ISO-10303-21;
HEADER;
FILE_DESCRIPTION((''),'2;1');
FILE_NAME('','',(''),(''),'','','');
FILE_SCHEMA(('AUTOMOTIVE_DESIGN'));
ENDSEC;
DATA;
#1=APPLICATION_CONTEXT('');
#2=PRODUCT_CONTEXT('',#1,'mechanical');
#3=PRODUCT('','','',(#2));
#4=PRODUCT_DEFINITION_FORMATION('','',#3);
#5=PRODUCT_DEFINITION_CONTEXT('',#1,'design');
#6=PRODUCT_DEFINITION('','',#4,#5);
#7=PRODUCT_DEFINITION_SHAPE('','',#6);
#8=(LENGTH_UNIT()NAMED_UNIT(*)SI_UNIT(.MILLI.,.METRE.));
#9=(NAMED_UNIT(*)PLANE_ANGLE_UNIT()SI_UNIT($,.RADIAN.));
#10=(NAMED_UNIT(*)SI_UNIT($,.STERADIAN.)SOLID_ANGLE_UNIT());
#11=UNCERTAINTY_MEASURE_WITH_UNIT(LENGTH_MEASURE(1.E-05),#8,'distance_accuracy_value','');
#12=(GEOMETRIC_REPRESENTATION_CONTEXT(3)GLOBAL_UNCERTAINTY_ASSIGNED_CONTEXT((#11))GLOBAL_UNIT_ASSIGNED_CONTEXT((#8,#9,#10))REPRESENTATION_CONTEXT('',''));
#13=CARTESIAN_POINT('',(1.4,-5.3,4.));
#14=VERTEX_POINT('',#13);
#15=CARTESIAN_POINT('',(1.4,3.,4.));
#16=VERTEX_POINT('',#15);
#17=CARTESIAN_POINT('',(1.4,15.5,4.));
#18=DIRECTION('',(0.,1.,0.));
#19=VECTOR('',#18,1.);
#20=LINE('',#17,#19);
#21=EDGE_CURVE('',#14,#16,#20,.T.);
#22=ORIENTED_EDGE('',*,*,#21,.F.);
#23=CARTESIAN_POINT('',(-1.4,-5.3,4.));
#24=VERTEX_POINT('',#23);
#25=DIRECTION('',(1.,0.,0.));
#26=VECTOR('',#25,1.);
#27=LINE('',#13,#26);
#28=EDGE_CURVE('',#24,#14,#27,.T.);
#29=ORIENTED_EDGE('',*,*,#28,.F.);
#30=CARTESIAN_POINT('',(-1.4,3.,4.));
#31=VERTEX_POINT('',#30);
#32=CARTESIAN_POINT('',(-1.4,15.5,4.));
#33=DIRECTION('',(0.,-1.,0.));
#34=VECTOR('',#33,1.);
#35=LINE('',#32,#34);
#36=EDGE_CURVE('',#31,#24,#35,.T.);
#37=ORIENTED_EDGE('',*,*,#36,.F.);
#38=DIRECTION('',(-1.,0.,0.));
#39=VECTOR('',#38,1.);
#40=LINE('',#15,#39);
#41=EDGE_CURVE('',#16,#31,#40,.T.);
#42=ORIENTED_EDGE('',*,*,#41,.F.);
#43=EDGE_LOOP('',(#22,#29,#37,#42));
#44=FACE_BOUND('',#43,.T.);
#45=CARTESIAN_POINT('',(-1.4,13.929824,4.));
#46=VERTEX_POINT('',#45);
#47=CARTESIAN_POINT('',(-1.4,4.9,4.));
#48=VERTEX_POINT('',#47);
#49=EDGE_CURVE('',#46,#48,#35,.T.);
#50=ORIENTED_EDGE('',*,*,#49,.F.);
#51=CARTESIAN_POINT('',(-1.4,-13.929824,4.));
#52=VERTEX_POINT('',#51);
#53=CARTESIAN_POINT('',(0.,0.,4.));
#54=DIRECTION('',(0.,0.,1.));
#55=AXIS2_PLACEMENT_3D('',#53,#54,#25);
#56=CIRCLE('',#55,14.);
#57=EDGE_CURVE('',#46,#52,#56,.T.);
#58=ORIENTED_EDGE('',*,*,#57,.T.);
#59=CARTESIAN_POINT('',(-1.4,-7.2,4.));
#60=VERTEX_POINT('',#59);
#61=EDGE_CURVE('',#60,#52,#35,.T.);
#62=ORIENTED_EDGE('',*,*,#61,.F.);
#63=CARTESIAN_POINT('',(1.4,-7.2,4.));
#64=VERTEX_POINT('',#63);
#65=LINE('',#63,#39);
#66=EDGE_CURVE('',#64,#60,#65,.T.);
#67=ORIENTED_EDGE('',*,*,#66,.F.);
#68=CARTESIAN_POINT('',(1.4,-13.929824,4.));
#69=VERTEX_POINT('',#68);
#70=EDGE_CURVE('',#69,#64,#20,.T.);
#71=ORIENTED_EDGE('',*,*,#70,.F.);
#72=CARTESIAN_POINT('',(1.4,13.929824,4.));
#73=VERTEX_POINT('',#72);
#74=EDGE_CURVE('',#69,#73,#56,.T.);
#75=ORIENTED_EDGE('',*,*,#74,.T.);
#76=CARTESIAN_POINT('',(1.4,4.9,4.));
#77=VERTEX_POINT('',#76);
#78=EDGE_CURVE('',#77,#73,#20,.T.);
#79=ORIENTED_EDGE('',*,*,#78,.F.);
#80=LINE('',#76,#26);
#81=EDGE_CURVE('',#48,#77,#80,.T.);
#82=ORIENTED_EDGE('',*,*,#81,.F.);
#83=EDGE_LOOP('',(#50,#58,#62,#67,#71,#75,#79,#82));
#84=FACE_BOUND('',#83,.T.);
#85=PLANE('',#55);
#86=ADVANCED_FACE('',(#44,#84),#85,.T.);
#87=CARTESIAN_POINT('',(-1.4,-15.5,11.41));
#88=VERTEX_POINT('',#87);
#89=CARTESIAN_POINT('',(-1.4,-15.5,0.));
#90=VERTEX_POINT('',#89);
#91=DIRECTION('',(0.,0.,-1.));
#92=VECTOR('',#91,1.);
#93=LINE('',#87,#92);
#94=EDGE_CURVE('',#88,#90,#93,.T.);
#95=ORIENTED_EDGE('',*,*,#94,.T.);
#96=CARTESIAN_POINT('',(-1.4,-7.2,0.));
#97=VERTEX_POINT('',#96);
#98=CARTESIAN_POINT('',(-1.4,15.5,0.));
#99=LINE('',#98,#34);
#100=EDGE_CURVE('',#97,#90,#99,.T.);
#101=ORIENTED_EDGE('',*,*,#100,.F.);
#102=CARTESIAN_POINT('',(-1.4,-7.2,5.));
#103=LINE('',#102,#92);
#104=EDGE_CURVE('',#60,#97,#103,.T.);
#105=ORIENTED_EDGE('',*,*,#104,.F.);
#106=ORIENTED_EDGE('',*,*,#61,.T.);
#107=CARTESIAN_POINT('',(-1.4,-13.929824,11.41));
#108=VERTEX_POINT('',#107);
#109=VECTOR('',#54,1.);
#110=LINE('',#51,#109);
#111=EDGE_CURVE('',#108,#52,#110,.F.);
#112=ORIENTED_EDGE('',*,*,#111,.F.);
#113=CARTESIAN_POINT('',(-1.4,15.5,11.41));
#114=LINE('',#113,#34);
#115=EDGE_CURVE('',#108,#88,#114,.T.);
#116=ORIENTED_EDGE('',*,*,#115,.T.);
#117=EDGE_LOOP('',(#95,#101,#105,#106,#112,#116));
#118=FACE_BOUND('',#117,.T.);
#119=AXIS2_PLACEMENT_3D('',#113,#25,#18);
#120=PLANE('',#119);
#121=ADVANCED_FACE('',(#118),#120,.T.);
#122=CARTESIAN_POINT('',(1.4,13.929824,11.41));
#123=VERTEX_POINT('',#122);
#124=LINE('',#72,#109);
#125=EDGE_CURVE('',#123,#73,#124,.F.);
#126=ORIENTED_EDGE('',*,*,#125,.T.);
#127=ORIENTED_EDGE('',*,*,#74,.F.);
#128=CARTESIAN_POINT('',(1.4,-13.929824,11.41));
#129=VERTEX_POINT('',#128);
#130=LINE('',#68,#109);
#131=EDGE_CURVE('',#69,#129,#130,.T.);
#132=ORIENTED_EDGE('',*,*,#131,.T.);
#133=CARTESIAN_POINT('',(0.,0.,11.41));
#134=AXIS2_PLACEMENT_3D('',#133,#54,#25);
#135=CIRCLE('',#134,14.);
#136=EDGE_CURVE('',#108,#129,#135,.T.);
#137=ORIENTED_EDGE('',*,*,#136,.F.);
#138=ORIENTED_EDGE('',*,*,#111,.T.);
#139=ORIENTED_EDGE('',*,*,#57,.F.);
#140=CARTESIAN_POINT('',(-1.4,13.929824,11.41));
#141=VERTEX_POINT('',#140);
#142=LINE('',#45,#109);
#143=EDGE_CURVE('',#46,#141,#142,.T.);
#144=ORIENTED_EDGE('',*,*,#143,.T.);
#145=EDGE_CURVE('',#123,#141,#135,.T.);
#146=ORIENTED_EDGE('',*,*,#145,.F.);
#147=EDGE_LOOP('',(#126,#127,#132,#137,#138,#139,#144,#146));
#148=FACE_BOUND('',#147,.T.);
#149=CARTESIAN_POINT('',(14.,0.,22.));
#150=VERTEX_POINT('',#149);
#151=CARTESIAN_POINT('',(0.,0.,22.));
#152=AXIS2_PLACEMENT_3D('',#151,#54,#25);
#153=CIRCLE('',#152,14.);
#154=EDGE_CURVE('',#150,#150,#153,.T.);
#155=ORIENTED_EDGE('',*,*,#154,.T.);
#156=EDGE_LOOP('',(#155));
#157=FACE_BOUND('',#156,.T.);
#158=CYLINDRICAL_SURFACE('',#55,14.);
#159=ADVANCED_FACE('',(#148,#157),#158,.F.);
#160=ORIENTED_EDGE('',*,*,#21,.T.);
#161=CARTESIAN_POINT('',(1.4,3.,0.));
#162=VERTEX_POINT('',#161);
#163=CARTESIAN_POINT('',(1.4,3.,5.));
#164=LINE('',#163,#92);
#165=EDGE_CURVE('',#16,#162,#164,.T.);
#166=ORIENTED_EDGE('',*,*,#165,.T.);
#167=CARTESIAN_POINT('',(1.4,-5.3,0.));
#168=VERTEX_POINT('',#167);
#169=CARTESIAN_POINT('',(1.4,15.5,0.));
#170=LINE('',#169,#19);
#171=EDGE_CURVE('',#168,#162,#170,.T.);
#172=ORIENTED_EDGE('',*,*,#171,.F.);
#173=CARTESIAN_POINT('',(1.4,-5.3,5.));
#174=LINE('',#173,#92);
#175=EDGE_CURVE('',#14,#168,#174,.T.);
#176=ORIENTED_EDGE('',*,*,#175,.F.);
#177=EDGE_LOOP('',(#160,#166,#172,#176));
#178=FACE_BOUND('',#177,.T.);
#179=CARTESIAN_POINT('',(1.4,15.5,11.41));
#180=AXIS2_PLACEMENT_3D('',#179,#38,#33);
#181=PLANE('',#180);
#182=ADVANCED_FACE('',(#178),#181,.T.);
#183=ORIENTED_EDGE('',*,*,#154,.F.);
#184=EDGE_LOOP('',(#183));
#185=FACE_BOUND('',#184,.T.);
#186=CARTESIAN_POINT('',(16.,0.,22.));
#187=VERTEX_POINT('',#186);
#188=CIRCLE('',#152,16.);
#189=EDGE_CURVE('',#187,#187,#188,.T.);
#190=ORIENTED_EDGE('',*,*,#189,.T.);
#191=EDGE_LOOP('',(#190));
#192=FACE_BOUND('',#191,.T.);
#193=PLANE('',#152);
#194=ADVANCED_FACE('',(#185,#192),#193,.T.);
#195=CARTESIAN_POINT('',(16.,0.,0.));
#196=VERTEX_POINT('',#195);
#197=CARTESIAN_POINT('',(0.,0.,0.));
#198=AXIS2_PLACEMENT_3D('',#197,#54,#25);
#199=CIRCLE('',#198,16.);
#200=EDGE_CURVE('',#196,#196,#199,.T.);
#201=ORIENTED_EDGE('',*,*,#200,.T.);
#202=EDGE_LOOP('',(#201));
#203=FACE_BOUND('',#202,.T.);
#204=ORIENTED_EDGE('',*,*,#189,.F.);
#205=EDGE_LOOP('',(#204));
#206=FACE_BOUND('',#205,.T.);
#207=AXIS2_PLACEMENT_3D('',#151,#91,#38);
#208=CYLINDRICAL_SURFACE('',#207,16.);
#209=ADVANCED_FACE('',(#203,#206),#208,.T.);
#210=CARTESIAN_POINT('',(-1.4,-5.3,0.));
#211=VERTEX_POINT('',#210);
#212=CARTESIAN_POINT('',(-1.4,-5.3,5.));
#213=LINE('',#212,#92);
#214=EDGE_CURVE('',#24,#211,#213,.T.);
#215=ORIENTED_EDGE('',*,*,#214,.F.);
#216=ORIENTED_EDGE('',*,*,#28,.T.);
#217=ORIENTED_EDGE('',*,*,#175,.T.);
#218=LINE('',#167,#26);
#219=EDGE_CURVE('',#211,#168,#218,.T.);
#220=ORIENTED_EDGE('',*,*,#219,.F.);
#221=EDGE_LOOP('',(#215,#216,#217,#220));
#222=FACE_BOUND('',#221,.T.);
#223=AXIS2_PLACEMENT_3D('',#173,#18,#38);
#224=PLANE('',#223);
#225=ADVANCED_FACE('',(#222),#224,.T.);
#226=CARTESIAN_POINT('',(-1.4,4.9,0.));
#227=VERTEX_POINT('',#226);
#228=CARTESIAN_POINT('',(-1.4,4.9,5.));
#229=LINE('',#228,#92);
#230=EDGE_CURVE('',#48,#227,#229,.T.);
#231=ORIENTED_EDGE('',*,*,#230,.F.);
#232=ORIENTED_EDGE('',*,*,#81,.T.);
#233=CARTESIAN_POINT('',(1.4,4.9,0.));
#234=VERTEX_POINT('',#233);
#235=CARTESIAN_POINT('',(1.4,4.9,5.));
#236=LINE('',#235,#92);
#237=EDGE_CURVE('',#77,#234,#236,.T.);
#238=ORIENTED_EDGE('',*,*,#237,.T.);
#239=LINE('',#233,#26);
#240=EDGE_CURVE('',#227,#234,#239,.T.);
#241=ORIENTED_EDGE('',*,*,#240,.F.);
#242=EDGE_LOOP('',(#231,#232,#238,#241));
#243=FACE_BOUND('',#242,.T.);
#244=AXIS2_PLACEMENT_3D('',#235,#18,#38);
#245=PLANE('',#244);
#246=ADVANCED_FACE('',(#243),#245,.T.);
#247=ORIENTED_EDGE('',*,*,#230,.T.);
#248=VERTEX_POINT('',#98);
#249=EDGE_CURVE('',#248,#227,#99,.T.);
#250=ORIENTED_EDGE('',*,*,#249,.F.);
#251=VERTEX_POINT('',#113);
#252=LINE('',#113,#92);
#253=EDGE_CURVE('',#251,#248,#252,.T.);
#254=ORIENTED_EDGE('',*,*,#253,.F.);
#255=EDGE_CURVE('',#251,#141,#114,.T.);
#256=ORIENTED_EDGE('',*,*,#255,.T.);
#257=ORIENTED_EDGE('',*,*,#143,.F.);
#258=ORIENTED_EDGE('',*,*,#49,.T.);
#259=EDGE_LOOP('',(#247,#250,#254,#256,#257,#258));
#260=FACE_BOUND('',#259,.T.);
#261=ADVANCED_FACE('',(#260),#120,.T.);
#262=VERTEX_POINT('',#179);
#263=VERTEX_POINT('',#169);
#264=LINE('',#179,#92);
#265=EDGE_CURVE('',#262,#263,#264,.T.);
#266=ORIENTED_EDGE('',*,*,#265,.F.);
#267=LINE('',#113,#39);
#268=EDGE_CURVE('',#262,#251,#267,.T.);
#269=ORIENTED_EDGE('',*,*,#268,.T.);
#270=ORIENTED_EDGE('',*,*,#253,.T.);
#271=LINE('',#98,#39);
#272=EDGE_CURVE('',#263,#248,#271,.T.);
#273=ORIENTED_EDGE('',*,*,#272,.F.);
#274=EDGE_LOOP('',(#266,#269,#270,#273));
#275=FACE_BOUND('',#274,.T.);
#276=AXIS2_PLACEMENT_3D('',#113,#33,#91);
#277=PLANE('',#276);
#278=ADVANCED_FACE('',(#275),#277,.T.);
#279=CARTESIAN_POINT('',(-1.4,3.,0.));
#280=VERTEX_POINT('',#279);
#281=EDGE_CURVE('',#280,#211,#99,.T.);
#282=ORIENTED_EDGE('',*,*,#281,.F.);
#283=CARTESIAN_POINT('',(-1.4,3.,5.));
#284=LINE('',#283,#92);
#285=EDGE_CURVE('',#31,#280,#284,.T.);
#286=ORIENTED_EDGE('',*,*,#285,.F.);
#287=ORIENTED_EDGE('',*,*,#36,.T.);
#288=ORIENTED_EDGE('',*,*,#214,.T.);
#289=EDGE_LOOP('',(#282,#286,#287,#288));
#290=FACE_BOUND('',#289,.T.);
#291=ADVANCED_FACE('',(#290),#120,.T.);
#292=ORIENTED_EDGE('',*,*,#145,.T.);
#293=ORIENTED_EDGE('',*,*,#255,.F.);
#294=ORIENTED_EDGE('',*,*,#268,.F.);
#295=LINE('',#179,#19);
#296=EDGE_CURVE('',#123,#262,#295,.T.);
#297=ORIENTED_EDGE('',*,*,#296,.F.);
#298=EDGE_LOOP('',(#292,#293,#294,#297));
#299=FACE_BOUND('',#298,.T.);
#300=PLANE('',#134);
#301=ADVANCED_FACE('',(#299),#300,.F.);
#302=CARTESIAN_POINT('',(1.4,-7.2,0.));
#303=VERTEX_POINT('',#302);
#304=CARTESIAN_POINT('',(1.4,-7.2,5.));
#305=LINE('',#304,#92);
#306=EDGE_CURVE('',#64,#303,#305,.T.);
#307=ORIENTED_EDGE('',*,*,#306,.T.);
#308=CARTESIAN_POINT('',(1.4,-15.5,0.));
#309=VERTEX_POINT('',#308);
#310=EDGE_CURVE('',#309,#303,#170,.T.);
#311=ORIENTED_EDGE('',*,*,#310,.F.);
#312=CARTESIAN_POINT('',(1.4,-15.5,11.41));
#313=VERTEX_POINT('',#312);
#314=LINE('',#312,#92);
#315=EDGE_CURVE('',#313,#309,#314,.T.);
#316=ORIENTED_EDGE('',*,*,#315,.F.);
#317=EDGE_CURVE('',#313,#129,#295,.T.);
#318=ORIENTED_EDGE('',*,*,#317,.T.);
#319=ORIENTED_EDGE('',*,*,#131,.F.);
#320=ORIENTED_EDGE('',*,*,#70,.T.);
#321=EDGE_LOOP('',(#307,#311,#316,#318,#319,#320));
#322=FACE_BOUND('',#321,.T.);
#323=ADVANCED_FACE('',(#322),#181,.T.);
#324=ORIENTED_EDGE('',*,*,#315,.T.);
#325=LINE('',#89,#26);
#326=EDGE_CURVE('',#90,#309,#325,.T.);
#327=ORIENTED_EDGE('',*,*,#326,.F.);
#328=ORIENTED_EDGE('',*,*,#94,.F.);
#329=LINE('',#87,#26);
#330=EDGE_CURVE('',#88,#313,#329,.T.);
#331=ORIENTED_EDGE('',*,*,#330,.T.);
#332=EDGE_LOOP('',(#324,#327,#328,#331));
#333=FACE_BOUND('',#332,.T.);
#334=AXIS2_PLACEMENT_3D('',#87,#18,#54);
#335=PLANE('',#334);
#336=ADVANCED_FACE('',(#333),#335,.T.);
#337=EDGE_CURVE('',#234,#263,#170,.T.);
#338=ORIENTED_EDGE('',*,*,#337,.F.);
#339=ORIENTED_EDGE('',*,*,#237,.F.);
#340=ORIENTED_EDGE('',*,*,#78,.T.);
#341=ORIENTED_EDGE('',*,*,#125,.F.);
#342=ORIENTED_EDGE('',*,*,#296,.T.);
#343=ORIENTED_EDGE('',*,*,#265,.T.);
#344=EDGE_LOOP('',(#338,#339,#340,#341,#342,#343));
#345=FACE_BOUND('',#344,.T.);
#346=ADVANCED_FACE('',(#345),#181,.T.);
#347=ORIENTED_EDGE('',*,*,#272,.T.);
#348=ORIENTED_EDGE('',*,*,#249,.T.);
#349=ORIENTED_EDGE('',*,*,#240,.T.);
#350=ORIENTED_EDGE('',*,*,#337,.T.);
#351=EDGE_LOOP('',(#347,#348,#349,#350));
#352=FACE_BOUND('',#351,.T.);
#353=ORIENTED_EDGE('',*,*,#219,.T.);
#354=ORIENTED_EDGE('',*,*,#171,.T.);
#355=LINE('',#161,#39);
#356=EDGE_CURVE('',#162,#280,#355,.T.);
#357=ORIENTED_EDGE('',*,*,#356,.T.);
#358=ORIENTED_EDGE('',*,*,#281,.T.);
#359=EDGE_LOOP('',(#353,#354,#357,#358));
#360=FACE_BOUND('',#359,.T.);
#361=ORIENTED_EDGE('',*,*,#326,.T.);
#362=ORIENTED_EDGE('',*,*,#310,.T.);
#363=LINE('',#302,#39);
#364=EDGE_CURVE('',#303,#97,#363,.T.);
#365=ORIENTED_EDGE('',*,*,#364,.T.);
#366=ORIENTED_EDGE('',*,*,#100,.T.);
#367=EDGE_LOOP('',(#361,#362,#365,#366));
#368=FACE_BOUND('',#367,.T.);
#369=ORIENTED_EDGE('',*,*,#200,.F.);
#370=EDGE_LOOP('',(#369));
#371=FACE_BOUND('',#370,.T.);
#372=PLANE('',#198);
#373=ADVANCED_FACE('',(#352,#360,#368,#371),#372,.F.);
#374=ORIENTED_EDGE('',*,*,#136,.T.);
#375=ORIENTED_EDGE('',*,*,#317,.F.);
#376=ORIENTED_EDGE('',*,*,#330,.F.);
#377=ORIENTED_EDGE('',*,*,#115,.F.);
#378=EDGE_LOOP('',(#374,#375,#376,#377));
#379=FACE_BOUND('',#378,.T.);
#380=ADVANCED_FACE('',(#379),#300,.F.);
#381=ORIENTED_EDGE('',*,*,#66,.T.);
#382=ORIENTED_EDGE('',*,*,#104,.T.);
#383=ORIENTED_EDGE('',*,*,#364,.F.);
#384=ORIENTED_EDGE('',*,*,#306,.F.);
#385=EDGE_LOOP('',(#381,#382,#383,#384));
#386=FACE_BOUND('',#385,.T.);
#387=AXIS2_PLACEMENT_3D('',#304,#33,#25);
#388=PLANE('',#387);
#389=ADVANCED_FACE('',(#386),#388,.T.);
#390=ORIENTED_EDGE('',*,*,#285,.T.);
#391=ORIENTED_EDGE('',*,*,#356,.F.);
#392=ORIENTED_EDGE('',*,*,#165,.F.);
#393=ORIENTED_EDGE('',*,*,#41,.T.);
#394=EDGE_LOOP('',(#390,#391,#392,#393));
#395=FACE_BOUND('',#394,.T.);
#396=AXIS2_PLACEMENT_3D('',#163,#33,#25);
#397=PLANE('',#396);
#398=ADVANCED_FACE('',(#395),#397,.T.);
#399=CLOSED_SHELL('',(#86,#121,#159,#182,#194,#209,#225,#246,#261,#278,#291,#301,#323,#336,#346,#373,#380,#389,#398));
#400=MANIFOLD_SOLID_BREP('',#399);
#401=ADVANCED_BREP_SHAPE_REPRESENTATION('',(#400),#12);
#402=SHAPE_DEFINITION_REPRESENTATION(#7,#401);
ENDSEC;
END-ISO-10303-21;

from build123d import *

# Parameters (mm, degrees)
ESQUISSE1_R             = 16
BOSS_EXTRU_1_DEPTH      = 22
ESQUISSE2_W             = 2.8
ESQUISSE2_H             = 31
ENL_V_MAT_EXTRU_1_DEPTH = 11.41
ESQUISSE3_W             = 2.8
ESQUISSE3_H             = 1.9
BOSS_EXTRU_2_DEPTH      = 5
ESQUISSE4_R             = 14
ENL_V_MAT_EXTRU_2_DEPTH = 18


with BuildPart() as part:
    # Esquisse1 → Boss.-Extru.1 (new body)
    with BuildSketch(Plane.XY):
        Circle(ESQUISSE1_R)
    extrude(amount=BOSS_EXTRU_1_DEPTH)

    # Esquisse2 → Enlèv. mat.-Extru.1 (cut)
    with BuildSketch(Plane.XY):
        Rectangle(ESQUISSE2_W, ESQUISSE2_H)
    extrude(amount=ENL_V_MAT_EXTRU_1_DEPTH, mode=Mode.SUBTRACT)

    # Esquisse3 → Boss.-Extru.2 (add)
    with BuildSketch(Plane(origin=(0, 0, 0), x_dir=(-1, 0, 0), z_dir=(0, 0, -1))):
        with Locations((0, -6.25)):
            Rectangle(ESQUISSE3_W, ESQUISSE3_H)
        with Locations((0, 3.95)):
            Rectangle(ESQUISSE3_W, ESQUISSE3_H)
    extrude(amount=-BOSS_EXTRU_2_DEPTH)

    # Esquisse4 → Enlèv. mat.-Extru.2 (cut)
    with BuildSketch(Plane.XY.offset(22)):
        Circle(ESQUISSE4_R)
    extrude(amount=-ENL_V_MAT_EXTRU_2_DEPTH, mode=Mode.SUBTRACT)


solid = part.part
